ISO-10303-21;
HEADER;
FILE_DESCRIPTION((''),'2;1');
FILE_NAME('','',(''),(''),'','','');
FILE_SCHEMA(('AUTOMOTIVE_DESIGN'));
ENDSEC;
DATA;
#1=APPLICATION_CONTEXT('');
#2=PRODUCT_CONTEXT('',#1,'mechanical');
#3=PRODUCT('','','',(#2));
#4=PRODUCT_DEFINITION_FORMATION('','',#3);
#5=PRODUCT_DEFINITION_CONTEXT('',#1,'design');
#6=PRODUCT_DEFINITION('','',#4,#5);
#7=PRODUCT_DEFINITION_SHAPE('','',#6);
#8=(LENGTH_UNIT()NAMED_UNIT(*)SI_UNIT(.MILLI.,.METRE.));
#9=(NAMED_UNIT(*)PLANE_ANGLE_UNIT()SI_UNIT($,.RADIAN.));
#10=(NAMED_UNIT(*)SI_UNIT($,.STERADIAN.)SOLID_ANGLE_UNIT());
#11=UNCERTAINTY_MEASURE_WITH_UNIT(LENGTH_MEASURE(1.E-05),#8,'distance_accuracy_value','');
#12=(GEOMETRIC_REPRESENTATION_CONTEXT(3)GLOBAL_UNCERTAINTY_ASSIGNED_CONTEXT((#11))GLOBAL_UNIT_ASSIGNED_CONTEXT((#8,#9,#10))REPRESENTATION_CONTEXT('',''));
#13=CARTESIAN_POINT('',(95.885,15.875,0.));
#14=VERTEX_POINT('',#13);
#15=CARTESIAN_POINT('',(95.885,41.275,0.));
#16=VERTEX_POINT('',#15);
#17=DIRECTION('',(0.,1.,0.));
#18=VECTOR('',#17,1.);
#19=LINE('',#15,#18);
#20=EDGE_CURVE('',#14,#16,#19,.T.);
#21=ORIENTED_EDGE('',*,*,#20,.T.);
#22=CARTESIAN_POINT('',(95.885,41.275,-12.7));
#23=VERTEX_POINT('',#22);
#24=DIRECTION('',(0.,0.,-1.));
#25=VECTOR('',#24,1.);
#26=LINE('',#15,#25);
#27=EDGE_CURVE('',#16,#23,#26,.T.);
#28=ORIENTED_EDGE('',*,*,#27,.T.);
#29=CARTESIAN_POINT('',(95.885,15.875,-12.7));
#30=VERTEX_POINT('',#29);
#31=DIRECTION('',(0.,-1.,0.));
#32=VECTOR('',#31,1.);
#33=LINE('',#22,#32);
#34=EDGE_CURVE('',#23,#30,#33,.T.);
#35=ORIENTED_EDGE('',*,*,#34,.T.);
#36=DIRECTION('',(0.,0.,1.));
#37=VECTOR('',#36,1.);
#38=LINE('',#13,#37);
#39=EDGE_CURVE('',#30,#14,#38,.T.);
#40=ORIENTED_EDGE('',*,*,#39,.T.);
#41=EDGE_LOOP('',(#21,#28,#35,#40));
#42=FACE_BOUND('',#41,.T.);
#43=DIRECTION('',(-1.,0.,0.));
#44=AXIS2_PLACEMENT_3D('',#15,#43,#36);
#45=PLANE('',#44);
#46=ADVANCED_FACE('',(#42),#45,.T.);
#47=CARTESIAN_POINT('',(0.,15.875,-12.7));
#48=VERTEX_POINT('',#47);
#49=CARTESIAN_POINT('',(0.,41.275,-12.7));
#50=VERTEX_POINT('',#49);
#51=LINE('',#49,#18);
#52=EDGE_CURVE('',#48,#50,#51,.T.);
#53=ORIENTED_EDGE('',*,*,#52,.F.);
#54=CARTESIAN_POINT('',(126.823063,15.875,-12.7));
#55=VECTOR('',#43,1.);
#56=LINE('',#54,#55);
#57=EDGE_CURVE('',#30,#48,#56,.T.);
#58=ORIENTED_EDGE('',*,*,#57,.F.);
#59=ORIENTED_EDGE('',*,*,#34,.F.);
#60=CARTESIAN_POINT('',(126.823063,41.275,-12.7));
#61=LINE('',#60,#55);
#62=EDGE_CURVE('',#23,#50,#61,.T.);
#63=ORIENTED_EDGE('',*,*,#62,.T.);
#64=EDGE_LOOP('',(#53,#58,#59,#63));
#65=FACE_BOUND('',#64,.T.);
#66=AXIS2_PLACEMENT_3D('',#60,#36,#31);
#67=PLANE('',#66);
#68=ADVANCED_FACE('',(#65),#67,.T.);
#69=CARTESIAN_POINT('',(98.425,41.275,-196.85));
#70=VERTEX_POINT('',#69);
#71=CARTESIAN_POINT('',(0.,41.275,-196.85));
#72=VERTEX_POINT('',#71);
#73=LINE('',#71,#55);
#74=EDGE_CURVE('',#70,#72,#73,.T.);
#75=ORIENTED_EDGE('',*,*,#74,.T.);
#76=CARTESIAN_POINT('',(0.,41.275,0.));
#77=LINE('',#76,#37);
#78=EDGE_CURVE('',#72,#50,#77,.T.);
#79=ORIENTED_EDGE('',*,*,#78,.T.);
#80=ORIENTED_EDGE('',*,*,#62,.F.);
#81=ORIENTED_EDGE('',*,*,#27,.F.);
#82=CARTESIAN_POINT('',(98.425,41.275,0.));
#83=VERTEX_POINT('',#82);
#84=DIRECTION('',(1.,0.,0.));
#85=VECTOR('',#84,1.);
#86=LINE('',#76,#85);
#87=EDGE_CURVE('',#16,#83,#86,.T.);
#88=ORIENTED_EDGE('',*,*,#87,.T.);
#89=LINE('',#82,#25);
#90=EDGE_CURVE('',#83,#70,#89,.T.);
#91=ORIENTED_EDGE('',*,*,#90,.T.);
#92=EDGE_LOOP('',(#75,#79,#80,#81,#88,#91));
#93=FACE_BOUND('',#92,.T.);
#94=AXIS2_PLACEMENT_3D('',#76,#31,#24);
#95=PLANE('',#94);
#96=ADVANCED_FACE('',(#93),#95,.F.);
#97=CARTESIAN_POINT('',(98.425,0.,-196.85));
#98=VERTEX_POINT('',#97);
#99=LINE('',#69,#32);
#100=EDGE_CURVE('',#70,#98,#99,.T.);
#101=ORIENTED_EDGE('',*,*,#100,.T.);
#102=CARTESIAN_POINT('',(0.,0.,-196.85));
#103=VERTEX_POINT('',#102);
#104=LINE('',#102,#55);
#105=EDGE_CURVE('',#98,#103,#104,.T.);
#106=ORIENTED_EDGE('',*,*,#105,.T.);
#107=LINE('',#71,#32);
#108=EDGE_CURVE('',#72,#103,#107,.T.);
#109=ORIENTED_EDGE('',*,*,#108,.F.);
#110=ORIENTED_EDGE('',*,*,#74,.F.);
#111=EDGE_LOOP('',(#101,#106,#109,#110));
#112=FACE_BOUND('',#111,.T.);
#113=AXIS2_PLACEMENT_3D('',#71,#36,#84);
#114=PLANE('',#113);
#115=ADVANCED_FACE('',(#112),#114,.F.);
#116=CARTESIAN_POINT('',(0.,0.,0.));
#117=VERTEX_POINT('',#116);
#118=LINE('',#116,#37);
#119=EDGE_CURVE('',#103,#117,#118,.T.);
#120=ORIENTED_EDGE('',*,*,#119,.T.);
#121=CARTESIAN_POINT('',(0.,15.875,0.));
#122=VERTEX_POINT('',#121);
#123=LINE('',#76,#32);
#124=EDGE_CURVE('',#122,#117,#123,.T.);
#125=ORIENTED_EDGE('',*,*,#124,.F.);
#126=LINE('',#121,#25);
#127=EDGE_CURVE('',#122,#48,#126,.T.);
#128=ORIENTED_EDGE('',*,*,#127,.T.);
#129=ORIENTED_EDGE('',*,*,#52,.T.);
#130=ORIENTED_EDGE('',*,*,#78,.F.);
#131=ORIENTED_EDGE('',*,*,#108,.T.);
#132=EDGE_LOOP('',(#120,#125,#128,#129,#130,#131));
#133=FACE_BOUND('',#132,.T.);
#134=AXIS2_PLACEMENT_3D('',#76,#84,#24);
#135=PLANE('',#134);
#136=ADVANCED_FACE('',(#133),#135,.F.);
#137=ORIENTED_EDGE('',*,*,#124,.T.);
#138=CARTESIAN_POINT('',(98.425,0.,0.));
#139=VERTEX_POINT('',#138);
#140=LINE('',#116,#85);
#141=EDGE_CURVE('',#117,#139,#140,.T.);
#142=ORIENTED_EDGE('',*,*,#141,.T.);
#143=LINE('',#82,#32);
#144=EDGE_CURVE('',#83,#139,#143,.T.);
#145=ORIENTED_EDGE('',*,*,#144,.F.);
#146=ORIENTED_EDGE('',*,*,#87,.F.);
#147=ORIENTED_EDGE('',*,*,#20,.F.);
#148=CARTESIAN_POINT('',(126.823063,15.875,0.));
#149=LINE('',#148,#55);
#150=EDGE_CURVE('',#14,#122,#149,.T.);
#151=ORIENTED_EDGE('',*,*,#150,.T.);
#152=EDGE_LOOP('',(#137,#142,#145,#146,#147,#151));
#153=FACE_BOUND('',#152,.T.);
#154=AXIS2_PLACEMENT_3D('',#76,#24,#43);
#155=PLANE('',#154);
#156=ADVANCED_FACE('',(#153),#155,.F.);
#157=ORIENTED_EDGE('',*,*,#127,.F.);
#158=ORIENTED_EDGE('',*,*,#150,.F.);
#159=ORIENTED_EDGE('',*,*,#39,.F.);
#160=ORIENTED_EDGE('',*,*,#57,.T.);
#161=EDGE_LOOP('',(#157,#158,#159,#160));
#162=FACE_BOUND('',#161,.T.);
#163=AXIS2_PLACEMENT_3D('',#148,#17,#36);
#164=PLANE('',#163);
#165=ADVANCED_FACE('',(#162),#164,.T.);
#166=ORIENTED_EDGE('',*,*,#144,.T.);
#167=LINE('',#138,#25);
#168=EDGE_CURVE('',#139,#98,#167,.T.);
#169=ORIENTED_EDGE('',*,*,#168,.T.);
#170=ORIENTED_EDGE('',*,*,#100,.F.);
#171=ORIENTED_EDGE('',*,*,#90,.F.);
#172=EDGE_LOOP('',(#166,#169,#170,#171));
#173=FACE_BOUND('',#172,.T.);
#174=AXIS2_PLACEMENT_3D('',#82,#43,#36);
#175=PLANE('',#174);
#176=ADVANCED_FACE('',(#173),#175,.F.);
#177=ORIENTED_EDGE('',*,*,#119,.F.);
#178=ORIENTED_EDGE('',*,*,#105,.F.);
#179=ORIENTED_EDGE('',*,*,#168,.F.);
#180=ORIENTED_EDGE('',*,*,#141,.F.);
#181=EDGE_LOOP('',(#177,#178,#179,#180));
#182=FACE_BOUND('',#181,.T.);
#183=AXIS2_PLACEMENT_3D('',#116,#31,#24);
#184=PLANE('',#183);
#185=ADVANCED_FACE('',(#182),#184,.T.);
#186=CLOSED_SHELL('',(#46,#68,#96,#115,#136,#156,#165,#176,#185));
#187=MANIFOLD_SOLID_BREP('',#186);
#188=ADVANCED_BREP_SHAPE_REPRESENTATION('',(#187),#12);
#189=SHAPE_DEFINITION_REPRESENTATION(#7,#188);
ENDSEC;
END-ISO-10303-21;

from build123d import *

# Parameters (mm, degrees)
SKETCH1_W           = 98.425
SKETCH1_H           = 196.85
BOSS_EXTRUDE1_DEPTH = 41.275
CUT_EXTRUDE1_START  = -98.425
SKETCH2_W           = 12.7
SKETCH2_H           = 25.4
CUT_EXTRUDE1_DEPTH  = 95.885


with BuildPart() as part:
    # Sketch1 → Boss-Extrude1 (new body)
    with BuildSketch(Plane(origin=(0, 0, 0), x_dir=(1, 0, 0), z_dir=(0, 1, 0))):
        with Locations((49.2125, 98.425)):
            Rectangle(SKETCH1_W, SKETCH1_H)
    extrude(amount=BOSS_EXTRUDE1_DEPTH)

    # Sketch2 → Cut-Extrude1 (cut)
    with BuildSketch(Plane(origin=(98.425, 0, 0), x_dir=(0, 0, -1), z_dir=(1, 0, 0)).offset(CUT_EXTRUDE1_START)):
        with Locations((6.35, 28.575)):
            Rectangle(SKETCH2_W, SKETCH2_H)
    extrude(amount=CUT_EXTRUDE1_DEPTH, mode=Mode.SUBTRACT)


solid = part.part
